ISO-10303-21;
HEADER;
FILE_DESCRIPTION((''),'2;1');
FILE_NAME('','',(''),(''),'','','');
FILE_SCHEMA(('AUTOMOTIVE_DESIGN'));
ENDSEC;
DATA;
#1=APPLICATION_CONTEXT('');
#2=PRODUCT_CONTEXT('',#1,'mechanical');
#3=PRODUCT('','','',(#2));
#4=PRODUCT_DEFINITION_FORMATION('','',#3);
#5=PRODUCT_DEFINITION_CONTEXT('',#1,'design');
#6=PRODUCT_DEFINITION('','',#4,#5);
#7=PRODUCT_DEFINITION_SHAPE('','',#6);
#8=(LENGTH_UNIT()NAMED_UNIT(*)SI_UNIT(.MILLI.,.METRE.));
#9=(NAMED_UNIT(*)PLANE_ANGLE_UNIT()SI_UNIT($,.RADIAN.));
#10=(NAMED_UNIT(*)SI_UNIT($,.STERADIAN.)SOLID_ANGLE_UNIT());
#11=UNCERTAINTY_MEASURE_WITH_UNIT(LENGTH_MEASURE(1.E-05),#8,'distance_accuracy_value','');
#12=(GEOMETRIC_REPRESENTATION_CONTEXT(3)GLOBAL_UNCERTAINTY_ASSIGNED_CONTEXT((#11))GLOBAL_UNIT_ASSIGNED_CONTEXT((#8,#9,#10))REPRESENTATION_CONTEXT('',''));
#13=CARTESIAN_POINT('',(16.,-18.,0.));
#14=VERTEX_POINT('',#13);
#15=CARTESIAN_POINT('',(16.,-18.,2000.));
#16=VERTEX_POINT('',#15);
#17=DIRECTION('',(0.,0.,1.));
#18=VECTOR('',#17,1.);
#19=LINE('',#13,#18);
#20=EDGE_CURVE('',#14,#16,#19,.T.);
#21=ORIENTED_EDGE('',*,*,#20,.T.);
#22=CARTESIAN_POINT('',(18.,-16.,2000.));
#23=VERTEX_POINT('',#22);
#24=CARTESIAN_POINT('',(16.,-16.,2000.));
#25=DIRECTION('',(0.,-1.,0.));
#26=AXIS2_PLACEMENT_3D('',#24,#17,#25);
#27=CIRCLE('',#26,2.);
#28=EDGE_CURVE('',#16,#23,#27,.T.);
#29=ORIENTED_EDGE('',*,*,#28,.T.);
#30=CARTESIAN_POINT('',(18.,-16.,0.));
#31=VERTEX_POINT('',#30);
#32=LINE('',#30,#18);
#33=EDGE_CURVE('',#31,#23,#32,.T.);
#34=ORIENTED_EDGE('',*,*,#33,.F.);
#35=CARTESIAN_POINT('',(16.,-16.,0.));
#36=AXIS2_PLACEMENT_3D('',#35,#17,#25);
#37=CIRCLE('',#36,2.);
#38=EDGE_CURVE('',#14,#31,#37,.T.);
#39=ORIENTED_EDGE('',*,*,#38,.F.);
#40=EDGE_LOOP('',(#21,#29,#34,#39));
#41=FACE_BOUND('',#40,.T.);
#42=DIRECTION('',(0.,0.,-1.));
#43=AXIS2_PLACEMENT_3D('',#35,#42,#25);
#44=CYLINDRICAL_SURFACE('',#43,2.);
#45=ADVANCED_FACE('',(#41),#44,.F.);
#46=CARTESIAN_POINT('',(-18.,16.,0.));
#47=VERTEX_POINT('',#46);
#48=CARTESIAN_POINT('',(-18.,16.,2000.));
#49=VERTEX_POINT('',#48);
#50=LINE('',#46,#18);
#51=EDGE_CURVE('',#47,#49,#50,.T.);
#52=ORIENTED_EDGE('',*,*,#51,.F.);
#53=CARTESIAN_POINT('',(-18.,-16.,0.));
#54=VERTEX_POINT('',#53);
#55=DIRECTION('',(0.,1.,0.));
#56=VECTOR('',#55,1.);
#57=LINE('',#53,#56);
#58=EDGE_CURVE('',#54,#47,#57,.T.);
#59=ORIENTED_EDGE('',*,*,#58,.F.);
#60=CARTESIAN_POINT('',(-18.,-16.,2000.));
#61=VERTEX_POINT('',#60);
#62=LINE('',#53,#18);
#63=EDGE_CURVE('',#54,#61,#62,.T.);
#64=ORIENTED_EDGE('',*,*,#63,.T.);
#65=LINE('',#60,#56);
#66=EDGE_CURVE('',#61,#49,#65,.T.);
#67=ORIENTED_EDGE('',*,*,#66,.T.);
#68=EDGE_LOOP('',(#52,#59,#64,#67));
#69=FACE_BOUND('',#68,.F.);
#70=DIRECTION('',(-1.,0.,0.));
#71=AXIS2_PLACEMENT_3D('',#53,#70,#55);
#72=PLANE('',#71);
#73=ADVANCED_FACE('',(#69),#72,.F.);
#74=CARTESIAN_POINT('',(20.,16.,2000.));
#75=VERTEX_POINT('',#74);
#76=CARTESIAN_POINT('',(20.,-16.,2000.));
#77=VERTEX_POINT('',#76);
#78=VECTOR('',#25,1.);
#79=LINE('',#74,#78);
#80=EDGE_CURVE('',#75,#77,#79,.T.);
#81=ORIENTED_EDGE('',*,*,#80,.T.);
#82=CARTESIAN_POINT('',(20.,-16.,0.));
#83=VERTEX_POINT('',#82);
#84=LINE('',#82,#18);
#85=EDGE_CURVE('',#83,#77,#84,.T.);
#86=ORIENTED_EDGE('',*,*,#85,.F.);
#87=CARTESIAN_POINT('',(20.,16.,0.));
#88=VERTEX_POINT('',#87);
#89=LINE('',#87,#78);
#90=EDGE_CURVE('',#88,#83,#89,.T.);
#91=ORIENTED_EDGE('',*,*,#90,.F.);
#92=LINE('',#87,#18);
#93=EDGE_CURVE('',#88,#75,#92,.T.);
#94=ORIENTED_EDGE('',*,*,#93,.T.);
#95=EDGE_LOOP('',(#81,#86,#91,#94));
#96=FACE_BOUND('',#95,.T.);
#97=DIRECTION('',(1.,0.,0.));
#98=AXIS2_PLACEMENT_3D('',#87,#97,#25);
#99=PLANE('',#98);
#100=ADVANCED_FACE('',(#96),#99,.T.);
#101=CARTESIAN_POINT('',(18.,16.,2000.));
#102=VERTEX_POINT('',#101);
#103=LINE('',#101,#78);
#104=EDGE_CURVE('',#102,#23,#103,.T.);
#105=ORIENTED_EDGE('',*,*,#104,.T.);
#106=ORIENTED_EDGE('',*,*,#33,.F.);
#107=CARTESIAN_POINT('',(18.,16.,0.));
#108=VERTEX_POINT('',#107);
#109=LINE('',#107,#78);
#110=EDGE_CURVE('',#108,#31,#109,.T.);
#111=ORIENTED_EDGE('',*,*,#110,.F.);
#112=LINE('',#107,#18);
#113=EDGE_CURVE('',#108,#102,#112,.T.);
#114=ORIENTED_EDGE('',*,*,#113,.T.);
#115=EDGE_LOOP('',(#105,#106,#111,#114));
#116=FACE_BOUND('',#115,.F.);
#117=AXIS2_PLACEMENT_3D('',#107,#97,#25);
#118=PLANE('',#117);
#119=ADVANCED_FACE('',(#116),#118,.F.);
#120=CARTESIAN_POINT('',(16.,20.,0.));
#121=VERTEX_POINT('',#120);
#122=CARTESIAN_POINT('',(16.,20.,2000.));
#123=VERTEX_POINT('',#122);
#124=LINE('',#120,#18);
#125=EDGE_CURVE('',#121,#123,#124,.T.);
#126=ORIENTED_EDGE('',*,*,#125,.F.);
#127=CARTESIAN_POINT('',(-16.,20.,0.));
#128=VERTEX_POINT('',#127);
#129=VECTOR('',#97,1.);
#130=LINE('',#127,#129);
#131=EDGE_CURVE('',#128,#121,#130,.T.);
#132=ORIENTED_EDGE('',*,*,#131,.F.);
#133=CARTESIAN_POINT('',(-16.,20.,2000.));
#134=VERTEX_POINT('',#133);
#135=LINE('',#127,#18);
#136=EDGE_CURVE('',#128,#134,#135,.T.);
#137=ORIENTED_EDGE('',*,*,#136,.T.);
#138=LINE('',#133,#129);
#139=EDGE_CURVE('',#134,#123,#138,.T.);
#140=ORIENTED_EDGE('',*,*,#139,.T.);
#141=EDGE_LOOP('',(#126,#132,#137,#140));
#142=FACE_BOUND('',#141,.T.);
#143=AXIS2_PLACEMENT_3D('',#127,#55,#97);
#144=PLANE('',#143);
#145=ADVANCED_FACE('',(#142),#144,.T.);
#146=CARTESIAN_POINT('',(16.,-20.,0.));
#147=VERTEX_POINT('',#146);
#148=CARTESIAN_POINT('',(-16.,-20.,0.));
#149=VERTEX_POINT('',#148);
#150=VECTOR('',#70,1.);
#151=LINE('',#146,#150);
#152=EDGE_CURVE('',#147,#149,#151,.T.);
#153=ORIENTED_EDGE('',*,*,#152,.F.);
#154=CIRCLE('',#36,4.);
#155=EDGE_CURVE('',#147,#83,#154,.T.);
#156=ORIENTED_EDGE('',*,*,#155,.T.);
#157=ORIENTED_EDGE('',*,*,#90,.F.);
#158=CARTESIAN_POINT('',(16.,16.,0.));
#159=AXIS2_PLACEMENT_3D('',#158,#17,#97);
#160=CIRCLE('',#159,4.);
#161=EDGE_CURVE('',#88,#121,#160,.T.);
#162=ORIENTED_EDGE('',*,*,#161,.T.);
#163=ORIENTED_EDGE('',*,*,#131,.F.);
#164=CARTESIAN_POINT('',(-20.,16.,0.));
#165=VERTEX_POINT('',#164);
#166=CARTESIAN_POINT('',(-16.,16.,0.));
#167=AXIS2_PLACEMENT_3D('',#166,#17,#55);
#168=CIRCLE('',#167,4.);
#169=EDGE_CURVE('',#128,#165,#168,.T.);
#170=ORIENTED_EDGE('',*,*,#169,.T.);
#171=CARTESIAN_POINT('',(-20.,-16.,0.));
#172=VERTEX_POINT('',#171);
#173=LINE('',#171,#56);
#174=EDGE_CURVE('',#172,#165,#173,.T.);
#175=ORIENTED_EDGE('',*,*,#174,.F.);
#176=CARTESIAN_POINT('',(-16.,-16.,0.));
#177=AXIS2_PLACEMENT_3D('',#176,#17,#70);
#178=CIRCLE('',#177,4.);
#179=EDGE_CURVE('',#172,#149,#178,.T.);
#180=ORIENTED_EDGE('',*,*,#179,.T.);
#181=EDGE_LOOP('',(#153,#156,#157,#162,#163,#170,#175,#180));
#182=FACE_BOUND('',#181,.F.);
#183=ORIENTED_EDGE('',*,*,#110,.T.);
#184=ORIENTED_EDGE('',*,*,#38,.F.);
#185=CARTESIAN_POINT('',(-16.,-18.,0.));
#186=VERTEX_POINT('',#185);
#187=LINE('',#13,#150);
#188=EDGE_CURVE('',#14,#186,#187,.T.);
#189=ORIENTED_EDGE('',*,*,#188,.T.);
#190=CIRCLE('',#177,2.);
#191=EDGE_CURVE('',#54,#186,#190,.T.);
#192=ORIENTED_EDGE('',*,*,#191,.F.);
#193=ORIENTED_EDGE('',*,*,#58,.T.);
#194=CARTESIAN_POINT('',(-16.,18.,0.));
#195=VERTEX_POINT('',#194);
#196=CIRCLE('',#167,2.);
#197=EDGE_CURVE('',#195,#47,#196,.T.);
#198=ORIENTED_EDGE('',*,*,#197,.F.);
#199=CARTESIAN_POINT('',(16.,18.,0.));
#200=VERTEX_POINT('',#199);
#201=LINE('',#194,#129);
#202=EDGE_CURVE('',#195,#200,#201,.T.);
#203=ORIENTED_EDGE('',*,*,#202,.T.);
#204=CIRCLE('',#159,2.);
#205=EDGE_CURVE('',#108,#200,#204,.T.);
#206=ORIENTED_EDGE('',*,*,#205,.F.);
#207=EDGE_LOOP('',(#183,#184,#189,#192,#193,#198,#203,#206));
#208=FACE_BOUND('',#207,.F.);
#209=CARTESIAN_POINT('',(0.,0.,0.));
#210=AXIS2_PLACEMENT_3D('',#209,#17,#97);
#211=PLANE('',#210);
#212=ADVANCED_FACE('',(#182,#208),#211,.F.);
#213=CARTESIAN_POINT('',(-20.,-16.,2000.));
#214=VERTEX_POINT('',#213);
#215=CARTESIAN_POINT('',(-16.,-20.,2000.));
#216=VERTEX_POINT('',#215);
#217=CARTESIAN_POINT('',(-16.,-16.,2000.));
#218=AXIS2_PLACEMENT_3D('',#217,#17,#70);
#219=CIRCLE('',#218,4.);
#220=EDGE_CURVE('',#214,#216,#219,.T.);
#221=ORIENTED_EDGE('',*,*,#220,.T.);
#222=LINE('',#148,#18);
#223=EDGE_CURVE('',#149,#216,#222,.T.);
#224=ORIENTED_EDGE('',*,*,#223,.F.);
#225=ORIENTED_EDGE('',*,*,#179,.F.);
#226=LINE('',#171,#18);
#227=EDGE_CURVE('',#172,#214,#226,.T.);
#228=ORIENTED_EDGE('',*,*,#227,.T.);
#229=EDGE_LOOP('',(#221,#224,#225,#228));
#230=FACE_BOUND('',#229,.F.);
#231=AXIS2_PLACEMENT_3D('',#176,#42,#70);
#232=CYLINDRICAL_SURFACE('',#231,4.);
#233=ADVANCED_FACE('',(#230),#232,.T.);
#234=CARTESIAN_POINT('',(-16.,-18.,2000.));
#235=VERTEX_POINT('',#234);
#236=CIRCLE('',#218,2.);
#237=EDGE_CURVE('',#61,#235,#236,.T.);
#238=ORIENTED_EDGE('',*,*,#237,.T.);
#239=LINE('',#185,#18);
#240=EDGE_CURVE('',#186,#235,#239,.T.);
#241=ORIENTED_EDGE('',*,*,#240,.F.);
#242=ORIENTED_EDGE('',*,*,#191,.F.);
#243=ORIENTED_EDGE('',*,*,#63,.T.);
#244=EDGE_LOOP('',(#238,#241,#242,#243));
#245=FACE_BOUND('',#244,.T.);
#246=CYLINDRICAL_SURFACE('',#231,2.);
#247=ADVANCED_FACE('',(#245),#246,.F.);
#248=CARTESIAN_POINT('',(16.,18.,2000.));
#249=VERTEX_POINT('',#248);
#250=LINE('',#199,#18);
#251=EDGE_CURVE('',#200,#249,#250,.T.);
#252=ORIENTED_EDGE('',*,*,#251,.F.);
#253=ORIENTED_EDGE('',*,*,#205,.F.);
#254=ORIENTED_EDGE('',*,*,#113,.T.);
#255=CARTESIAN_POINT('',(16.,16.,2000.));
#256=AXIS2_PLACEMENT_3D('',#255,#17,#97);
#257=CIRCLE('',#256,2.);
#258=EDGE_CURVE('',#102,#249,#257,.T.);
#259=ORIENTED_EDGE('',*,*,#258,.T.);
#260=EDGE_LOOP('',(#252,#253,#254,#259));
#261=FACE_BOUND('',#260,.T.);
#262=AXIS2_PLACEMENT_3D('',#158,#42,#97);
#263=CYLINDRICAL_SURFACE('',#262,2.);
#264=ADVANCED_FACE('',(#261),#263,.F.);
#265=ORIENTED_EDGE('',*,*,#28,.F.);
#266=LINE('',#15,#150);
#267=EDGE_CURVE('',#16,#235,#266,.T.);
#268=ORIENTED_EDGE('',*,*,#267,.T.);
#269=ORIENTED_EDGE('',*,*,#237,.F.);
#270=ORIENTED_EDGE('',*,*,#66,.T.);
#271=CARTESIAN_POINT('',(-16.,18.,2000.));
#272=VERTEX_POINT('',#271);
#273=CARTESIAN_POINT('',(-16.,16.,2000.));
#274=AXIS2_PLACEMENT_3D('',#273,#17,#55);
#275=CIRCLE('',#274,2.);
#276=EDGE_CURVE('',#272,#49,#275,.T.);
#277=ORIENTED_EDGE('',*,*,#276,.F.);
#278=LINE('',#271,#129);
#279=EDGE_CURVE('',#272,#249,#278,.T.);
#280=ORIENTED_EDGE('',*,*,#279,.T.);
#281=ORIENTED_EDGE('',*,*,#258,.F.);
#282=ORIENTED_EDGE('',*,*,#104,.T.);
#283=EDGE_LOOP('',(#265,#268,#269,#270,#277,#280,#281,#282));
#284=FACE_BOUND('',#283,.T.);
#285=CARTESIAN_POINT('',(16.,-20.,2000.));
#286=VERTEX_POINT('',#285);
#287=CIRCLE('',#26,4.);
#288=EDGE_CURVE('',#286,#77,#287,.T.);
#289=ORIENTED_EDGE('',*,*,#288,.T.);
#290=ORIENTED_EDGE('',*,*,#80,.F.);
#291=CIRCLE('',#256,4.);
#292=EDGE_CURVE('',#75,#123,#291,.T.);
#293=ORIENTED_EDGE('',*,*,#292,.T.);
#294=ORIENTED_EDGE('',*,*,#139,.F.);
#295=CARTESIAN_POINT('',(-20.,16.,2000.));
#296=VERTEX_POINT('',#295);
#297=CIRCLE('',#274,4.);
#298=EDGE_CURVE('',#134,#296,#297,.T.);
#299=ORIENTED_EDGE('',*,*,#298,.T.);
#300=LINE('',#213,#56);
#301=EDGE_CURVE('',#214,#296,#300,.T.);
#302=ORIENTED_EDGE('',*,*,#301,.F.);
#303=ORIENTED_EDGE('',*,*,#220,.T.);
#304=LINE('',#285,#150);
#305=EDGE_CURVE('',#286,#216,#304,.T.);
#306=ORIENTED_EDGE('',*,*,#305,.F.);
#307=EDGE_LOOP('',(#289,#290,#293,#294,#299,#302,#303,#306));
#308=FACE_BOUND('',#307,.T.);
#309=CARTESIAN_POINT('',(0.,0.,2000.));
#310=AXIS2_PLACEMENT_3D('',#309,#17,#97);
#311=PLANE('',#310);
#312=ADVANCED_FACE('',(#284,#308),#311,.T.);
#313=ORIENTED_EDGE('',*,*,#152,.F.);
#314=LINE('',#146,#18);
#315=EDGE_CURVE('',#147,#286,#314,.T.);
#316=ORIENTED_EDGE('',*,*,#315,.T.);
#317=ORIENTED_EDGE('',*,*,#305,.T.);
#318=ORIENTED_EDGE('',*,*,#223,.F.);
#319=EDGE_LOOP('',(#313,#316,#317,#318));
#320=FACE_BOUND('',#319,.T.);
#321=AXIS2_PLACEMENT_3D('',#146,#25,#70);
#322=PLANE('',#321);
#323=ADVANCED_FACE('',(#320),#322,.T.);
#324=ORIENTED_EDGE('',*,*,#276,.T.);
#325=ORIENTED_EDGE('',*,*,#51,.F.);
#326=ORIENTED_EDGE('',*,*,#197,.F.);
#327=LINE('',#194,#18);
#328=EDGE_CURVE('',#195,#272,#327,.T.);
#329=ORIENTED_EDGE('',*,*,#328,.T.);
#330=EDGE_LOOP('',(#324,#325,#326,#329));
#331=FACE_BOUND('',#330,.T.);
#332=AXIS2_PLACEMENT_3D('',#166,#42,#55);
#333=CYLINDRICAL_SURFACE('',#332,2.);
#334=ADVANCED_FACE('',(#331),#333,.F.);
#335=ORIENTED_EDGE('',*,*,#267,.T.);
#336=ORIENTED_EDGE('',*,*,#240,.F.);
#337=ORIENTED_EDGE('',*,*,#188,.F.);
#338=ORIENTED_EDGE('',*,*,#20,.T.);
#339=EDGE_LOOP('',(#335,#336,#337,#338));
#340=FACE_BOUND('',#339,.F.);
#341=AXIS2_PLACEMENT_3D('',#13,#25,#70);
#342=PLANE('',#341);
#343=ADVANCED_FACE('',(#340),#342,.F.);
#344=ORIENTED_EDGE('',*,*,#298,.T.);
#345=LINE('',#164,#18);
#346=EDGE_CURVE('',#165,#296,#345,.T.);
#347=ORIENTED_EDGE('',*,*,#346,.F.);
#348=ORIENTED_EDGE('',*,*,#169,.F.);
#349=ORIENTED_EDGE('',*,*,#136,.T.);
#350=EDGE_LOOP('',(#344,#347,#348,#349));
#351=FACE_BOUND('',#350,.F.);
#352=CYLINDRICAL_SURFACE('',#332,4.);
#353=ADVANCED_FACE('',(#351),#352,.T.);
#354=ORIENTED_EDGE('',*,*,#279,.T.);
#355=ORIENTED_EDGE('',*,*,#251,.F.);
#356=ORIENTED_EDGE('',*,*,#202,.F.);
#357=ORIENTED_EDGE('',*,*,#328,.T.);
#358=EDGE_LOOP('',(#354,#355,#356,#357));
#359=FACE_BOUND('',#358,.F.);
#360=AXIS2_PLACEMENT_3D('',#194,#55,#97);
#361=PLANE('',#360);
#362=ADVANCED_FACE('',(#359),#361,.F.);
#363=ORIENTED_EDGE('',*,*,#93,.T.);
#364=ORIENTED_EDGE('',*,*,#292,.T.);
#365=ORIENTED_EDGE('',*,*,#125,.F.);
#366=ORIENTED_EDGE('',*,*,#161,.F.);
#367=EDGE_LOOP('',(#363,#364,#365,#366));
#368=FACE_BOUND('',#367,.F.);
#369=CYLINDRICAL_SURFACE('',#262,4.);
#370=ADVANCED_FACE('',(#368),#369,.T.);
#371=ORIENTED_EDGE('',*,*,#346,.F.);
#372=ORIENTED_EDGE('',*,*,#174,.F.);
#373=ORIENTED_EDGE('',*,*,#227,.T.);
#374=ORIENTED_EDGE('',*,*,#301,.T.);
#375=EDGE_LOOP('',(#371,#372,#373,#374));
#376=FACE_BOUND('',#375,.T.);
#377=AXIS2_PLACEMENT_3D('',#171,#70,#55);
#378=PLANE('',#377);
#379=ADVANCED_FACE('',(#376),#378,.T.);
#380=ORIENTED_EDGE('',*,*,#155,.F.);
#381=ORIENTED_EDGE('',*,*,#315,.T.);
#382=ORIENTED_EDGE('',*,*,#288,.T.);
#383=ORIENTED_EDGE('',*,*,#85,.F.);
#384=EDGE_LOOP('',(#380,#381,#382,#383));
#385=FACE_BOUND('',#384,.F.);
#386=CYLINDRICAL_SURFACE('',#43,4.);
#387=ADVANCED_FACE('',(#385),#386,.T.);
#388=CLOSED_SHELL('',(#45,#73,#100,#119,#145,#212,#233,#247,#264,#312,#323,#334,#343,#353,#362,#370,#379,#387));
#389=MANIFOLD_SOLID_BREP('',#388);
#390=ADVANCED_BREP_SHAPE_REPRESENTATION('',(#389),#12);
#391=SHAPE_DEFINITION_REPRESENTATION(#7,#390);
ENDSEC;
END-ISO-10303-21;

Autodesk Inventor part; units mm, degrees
ref_plane "YZ Plane" through (0, 0, 0) normal (1, 0, 0) x (0, 1, 0)
ref_plane "Start Plane" through (0, 0, 0) normal (0, 0, 1) x (1, 0, 0)
ref_plane "End Plane" through (0, 0, 2000) normal (0, 0, 1) x (1, 0, 0)
sketch "Sketch" plane through (0, 0, 0) normal (0, 0, 1) x (1, 0, 0)
  line L0 (-20, -16) -> (-20, 16)
  line L1 (-16, 20) -> (16, 20)
  line L2 (20, 16) -> (20, -16)
  line L3 (16, -20) -> (-16, -20)
  arc A0 (-20, -16) -> (-16, -20) centre (-16, -16) ccw
  arc A1 (20, 16) -> (16, 20) centre (16, 16) ccw
  arc A2 (-16, 20) -> (-20, 16) centre (-16, 16) ccw
  arc A3 (16, -20) -> (20, -16) centre (16, -16) ccw
  arc A4 (-16, 18) -> (-18, 16) centre (-16, 16) ccw
  line L4 (-16, 18) -> (16, 18)
  arc A5 (18, 16) -> (16, 18) centre (16, 16) ccw
  line L5 (18, 16) -> (18, -16)
  arc A6 (16, -18) -> (18, -16) centre (16, -16) ccw
  line L6 (16, -18) -> (-16, -18)
  arc A7 (-18, -16) -> (-16, -18) centre (-16, -16) ccw
  line L7 (-18, -16) -> (-18, 16)
  line L8 (0, 29.1598) -> (0, -29.1598) construction
  line L9 (-29.1598, 0) -> (29.1598, 0) construction
  dimension "d7" = 4
  dimension "d9" = 40
  dimension "d11" = 40
  dimension "d12" = 2
  dimension "d15" = 20
  dimension "d16" = 20
extrude "Body" add sketch "Sketch" along normal up to surface (2000 mm away) from surface at 0
sketch "Sketch3" plane through (0, 0, 0) normal (0, 0, 1) x (1, 0, 0)
  line L0 (0, 0) -> (10, 0)
ref_plane "Work Plane3" through (0, 0, 0) normal (0, -1, 0) x (1, 0, 0)
sketch "Sketch4" plane through (0, 0, 0) normal (0, -1, 0) x (1, 0, 0)
  line L0 (-2, 0) -> (12, 0) projected
  line L1 (-2, 2000) -> (12, 2000) projected
  dimension "d18" = 2000
equation "\"d7\" = G_IR"
equation "\"d9\" = G_W"
equation "\"d11\" = G_H"
equation "\"d12\" = G_T"
equation "\"d15\" = 0.5 * d9"
equation "\"d16\" = 0.5 * d11"
equation "\"d3\" = G_L"
equation "\"G_W\" = 40"
equation "\"G_H\" = 40"
equation "\"G_T\" = 2"
equation "\"G_IR\" = 4"
equation "\"G_L\" = d18"
equation "\"G_OFFSET_START\" = 0"
equation "\"G_OFFSET_END\" = 0"
properties part number "ISO 4019 - 40x40x2 - 2000" material "Steel, Mild"
